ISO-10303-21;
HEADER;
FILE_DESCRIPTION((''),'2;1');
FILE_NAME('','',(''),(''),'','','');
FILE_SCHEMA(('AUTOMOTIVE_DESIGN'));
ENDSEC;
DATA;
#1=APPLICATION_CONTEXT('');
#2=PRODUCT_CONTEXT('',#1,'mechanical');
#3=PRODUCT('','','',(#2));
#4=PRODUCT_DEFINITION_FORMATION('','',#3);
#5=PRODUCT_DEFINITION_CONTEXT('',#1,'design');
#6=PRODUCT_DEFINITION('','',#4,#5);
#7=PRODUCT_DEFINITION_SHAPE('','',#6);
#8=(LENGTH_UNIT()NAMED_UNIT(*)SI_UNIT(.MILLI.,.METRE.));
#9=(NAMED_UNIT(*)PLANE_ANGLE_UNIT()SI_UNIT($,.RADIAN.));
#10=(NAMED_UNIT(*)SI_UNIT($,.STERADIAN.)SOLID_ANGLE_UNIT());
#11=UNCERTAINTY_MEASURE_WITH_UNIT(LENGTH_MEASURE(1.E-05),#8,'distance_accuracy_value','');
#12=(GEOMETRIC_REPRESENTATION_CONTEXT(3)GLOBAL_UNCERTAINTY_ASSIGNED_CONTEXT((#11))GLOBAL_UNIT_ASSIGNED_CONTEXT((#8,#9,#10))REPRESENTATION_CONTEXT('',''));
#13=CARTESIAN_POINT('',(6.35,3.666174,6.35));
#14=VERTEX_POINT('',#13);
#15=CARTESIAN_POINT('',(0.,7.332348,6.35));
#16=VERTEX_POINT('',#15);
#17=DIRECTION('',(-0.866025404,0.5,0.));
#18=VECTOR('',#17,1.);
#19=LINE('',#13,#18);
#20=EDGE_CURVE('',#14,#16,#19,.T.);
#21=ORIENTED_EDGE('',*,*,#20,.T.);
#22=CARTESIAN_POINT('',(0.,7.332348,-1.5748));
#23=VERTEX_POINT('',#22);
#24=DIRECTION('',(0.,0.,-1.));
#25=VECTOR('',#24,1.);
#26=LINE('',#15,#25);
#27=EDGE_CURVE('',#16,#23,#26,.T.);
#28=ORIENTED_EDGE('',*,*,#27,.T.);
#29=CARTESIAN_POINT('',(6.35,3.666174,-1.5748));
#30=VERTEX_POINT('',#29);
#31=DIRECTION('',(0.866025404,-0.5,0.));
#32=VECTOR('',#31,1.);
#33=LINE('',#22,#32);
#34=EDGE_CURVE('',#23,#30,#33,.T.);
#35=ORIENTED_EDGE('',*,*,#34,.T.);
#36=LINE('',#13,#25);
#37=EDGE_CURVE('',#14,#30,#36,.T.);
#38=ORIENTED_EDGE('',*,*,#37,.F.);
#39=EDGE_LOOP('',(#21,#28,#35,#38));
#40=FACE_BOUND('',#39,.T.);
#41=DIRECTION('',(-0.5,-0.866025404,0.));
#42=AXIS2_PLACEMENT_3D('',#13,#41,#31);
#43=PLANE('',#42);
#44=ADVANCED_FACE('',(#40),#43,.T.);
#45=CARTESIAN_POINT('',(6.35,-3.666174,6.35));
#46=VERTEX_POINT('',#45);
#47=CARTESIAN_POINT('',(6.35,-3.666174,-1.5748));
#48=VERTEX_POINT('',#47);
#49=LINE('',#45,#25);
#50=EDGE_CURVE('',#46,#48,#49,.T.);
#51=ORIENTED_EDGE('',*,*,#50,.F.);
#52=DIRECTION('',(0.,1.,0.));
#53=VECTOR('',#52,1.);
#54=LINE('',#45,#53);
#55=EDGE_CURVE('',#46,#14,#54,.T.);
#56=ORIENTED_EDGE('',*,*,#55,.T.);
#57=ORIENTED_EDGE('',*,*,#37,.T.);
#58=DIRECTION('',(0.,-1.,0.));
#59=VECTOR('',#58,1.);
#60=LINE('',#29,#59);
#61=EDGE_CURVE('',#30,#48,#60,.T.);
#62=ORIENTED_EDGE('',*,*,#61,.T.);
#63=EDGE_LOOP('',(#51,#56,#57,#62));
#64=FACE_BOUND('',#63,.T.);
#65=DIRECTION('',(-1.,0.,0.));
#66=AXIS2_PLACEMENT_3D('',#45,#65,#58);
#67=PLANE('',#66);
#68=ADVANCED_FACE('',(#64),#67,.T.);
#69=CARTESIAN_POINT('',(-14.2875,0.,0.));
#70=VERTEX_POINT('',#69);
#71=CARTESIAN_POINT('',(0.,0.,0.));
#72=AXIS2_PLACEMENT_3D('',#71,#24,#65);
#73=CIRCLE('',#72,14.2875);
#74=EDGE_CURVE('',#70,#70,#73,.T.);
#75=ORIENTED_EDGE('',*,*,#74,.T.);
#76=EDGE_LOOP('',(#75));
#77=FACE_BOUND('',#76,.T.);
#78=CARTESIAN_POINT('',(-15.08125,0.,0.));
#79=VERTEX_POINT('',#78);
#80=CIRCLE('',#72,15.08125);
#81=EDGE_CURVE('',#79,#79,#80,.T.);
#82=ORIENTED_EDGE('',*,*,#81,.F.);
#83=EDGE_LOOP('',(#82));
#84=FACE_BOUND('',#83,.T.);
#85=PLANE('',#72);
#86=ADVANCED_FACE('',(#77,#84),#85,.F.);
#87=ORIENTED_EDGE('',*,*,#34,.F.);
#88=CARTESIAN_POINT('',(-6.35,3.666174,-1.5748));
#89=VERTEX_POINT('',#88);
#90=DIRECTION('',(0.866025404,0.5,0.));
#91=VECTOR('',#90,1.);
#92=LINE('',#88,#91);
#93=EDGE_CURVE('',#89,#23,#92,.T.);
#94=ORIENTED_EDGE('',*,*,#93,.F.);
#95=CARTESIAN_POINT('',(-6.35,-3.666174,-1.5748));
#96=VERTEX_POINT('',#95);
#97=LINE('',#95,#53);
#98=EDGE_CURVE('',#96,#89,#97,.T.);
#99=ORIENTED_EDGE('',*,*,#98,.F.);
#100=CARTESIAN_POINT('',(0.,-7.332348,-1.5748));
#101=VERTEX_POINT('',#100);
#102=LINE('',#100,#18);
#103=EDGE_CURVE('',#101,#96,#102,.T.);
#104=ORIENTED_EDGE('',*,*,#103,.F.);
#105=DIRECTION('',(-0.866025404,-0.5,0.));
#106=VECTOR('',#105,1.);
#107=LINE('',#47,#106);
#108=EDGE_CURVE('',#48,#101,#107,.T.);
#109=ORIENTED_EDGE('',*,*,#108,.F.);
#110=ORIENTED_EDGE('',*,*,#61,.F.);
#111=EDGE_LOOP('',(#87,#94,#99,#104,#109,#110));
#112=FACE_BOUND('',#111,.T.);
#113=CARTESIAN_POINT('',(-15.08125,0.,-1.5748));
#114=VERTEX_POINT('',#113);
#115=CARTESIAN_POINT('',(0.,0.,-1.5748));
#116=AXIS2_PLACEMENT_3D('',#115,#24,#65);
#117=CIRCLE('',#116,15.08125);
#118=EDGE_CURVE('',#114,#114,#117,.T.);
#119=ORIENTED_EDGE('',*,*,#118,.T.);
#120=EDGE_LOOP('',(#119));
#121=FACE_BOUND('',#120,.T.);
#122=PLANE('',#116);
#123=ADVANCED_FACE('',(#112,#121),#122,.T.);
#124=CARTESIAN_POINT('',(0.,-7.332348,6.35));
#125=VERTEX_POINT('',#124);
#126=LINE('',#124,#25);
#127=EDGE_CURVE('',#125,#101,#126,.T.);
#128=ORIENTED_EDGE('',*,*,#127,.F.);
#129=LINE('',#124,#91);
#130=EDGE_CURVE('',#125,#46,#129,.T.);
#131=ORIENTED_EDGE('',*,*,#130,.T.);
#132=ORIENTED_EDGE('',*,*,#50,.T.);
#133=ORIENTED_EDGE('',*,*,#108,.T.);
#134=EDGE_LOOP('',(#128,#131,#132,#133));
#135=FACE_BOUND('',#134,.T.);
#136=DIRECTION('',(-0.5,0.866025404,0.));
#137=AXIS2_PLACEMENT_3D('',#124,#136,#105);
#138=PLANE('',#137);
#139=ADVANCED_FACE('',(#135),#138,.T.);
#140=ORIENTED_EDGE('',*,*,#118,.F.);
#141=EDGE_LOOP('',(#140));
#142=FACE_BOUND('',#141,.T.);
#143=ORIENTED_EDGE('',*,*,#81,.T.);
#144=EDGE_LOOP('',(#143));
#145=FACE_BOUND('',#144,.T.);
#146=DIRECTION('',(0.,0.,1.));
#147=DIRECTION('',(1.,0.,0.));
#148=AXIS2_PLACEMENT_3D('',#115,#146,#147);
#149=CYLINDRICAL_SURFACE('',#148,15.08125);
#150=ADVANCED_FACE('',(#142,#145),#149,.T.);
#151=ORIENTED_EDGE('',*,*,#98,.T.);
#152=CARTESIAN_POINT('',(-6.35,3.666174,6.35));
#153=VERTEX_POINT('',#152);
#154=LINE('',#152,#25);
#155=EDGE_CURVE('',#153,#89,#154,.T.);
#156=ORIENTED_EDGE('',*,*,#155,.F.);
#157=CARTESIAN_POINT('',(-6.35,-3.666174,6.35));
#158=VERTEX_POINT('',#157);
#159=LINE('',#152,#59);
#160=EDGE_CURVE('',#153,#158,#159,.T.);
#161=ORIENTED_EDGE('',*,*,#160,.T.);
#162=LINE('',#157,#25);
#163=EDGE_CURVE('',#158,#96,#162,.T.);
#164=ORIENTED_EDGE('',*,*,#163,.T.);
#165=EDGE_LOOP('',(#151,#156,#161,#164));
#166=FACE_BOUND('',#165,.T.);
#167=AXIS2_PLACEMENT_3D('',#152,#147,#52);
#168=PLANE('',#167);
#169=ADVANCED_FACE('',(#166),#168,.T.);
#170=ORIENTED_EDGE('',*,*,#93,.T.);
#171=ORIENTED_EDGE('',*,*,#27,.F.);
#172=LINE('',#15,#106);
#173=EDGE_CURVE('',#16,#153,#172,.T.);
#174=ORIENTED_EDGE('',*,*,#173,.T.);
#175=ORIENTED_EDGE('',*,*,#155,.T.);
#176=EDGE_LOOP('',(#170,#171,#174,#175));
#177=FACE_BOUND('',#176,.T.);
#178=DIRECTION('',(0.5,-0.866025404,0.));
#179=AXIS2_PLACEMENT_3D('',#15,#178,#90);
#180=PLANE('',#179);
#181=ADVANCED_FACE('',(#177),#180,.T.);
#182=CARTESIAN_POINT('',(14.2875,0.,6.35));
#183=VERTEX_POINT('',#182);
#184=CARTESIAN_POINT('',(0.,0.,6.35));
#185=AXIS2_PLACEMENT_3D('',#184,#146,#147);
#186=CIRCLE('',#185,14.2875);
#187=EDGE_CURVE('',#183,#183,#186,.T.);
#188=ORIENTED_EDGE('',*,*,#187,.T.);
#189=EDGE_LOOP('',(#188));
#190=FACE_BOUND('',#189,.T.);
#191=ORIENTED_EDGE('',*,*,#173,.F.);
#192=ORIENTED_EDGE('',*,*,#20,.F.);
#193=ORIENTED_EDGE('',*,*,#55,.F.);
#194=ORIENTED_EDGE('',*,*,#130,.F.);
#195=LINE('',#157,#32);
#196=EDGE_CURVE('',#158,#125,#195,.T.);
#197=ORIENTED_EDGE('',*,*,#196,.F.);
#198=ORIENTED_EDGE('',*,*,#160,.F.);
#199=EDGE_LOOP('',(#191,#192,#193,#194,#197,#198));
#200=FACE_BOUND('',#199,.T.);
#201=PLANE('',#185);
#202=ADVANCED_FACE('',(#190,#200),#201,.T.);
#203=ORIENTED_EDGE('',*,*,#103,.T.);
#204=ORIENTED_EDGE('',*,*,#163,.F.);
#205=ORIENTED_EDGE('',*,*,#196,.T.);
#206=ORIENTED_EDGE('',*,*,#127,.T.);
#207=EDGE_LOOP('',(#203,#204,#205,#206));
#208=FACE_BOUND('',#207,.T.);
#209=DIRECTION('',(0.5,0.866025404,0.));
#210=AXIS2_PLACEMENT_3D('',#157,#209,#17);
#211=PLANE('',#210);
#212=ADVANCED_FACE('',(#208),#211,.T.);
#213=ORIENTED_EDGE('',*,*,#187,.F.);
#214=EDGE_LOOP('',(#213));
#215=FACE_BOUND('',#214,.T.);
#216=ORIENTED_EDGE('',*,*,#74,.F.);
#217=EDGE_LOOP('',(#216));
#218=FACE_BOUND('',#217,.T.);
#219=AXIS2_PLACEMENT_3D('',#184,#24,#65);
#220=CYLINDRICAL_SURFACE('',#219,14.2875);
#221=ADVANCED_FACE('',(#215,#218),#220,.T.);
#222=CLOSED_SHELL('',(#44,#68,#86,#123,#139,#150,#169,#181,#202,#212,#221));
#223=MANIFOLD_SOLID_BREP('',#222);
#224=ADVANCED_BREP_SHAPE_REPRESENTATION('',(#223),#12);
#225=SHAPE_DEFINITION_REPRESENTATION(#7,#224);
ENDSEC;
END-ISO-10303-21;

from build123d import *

# Parameters (mm, degrees)
SKETCH1_R           = 14.2875
BOSS_EXTRUDE1_DEPTH = 6.35
SKETCH2_R           = 15.08125
BOSS_EXTRUDE2_DEPTH = 1.5748


with BuildPart() as part:
    # Sketch1 → Boss-Extrude1 (new body)
    with BuildSketch(Plane.XY):
        Circle(SKETCH1_R)
        Polygon((6.35, 3.666174209), (0, 7.332348419), (-6.35, 3.666174209), (-6.35, -3.666174209), (0, -7.332348419), (6.35, -3.666174209), align=None, mode=Mode.SUBTRACT)
    extrude(amount=BOSS_EXTRUDE1_DEPTH)

    # Sketch2 → Boss-Extrude2 (add)
    with BuildSketch(Plane(origin=(0, 0, 0), x_dir=(-1, 0, 0), z_dir=(0, 0, -1))):
        Circle(SKETCH2_R)
        Polygon((0, 7.332348419), (-6.35, 3.666174209), (-6.35, -3.666174209), (0, -7.332348419), (6.35, -3.666174209), (6.35, 3.666174209), align=None, mode=Mode.SUBTRACT)
    extrude(amount=BOSS_EXTRUDE2_DEPTH)


solid = part.part
